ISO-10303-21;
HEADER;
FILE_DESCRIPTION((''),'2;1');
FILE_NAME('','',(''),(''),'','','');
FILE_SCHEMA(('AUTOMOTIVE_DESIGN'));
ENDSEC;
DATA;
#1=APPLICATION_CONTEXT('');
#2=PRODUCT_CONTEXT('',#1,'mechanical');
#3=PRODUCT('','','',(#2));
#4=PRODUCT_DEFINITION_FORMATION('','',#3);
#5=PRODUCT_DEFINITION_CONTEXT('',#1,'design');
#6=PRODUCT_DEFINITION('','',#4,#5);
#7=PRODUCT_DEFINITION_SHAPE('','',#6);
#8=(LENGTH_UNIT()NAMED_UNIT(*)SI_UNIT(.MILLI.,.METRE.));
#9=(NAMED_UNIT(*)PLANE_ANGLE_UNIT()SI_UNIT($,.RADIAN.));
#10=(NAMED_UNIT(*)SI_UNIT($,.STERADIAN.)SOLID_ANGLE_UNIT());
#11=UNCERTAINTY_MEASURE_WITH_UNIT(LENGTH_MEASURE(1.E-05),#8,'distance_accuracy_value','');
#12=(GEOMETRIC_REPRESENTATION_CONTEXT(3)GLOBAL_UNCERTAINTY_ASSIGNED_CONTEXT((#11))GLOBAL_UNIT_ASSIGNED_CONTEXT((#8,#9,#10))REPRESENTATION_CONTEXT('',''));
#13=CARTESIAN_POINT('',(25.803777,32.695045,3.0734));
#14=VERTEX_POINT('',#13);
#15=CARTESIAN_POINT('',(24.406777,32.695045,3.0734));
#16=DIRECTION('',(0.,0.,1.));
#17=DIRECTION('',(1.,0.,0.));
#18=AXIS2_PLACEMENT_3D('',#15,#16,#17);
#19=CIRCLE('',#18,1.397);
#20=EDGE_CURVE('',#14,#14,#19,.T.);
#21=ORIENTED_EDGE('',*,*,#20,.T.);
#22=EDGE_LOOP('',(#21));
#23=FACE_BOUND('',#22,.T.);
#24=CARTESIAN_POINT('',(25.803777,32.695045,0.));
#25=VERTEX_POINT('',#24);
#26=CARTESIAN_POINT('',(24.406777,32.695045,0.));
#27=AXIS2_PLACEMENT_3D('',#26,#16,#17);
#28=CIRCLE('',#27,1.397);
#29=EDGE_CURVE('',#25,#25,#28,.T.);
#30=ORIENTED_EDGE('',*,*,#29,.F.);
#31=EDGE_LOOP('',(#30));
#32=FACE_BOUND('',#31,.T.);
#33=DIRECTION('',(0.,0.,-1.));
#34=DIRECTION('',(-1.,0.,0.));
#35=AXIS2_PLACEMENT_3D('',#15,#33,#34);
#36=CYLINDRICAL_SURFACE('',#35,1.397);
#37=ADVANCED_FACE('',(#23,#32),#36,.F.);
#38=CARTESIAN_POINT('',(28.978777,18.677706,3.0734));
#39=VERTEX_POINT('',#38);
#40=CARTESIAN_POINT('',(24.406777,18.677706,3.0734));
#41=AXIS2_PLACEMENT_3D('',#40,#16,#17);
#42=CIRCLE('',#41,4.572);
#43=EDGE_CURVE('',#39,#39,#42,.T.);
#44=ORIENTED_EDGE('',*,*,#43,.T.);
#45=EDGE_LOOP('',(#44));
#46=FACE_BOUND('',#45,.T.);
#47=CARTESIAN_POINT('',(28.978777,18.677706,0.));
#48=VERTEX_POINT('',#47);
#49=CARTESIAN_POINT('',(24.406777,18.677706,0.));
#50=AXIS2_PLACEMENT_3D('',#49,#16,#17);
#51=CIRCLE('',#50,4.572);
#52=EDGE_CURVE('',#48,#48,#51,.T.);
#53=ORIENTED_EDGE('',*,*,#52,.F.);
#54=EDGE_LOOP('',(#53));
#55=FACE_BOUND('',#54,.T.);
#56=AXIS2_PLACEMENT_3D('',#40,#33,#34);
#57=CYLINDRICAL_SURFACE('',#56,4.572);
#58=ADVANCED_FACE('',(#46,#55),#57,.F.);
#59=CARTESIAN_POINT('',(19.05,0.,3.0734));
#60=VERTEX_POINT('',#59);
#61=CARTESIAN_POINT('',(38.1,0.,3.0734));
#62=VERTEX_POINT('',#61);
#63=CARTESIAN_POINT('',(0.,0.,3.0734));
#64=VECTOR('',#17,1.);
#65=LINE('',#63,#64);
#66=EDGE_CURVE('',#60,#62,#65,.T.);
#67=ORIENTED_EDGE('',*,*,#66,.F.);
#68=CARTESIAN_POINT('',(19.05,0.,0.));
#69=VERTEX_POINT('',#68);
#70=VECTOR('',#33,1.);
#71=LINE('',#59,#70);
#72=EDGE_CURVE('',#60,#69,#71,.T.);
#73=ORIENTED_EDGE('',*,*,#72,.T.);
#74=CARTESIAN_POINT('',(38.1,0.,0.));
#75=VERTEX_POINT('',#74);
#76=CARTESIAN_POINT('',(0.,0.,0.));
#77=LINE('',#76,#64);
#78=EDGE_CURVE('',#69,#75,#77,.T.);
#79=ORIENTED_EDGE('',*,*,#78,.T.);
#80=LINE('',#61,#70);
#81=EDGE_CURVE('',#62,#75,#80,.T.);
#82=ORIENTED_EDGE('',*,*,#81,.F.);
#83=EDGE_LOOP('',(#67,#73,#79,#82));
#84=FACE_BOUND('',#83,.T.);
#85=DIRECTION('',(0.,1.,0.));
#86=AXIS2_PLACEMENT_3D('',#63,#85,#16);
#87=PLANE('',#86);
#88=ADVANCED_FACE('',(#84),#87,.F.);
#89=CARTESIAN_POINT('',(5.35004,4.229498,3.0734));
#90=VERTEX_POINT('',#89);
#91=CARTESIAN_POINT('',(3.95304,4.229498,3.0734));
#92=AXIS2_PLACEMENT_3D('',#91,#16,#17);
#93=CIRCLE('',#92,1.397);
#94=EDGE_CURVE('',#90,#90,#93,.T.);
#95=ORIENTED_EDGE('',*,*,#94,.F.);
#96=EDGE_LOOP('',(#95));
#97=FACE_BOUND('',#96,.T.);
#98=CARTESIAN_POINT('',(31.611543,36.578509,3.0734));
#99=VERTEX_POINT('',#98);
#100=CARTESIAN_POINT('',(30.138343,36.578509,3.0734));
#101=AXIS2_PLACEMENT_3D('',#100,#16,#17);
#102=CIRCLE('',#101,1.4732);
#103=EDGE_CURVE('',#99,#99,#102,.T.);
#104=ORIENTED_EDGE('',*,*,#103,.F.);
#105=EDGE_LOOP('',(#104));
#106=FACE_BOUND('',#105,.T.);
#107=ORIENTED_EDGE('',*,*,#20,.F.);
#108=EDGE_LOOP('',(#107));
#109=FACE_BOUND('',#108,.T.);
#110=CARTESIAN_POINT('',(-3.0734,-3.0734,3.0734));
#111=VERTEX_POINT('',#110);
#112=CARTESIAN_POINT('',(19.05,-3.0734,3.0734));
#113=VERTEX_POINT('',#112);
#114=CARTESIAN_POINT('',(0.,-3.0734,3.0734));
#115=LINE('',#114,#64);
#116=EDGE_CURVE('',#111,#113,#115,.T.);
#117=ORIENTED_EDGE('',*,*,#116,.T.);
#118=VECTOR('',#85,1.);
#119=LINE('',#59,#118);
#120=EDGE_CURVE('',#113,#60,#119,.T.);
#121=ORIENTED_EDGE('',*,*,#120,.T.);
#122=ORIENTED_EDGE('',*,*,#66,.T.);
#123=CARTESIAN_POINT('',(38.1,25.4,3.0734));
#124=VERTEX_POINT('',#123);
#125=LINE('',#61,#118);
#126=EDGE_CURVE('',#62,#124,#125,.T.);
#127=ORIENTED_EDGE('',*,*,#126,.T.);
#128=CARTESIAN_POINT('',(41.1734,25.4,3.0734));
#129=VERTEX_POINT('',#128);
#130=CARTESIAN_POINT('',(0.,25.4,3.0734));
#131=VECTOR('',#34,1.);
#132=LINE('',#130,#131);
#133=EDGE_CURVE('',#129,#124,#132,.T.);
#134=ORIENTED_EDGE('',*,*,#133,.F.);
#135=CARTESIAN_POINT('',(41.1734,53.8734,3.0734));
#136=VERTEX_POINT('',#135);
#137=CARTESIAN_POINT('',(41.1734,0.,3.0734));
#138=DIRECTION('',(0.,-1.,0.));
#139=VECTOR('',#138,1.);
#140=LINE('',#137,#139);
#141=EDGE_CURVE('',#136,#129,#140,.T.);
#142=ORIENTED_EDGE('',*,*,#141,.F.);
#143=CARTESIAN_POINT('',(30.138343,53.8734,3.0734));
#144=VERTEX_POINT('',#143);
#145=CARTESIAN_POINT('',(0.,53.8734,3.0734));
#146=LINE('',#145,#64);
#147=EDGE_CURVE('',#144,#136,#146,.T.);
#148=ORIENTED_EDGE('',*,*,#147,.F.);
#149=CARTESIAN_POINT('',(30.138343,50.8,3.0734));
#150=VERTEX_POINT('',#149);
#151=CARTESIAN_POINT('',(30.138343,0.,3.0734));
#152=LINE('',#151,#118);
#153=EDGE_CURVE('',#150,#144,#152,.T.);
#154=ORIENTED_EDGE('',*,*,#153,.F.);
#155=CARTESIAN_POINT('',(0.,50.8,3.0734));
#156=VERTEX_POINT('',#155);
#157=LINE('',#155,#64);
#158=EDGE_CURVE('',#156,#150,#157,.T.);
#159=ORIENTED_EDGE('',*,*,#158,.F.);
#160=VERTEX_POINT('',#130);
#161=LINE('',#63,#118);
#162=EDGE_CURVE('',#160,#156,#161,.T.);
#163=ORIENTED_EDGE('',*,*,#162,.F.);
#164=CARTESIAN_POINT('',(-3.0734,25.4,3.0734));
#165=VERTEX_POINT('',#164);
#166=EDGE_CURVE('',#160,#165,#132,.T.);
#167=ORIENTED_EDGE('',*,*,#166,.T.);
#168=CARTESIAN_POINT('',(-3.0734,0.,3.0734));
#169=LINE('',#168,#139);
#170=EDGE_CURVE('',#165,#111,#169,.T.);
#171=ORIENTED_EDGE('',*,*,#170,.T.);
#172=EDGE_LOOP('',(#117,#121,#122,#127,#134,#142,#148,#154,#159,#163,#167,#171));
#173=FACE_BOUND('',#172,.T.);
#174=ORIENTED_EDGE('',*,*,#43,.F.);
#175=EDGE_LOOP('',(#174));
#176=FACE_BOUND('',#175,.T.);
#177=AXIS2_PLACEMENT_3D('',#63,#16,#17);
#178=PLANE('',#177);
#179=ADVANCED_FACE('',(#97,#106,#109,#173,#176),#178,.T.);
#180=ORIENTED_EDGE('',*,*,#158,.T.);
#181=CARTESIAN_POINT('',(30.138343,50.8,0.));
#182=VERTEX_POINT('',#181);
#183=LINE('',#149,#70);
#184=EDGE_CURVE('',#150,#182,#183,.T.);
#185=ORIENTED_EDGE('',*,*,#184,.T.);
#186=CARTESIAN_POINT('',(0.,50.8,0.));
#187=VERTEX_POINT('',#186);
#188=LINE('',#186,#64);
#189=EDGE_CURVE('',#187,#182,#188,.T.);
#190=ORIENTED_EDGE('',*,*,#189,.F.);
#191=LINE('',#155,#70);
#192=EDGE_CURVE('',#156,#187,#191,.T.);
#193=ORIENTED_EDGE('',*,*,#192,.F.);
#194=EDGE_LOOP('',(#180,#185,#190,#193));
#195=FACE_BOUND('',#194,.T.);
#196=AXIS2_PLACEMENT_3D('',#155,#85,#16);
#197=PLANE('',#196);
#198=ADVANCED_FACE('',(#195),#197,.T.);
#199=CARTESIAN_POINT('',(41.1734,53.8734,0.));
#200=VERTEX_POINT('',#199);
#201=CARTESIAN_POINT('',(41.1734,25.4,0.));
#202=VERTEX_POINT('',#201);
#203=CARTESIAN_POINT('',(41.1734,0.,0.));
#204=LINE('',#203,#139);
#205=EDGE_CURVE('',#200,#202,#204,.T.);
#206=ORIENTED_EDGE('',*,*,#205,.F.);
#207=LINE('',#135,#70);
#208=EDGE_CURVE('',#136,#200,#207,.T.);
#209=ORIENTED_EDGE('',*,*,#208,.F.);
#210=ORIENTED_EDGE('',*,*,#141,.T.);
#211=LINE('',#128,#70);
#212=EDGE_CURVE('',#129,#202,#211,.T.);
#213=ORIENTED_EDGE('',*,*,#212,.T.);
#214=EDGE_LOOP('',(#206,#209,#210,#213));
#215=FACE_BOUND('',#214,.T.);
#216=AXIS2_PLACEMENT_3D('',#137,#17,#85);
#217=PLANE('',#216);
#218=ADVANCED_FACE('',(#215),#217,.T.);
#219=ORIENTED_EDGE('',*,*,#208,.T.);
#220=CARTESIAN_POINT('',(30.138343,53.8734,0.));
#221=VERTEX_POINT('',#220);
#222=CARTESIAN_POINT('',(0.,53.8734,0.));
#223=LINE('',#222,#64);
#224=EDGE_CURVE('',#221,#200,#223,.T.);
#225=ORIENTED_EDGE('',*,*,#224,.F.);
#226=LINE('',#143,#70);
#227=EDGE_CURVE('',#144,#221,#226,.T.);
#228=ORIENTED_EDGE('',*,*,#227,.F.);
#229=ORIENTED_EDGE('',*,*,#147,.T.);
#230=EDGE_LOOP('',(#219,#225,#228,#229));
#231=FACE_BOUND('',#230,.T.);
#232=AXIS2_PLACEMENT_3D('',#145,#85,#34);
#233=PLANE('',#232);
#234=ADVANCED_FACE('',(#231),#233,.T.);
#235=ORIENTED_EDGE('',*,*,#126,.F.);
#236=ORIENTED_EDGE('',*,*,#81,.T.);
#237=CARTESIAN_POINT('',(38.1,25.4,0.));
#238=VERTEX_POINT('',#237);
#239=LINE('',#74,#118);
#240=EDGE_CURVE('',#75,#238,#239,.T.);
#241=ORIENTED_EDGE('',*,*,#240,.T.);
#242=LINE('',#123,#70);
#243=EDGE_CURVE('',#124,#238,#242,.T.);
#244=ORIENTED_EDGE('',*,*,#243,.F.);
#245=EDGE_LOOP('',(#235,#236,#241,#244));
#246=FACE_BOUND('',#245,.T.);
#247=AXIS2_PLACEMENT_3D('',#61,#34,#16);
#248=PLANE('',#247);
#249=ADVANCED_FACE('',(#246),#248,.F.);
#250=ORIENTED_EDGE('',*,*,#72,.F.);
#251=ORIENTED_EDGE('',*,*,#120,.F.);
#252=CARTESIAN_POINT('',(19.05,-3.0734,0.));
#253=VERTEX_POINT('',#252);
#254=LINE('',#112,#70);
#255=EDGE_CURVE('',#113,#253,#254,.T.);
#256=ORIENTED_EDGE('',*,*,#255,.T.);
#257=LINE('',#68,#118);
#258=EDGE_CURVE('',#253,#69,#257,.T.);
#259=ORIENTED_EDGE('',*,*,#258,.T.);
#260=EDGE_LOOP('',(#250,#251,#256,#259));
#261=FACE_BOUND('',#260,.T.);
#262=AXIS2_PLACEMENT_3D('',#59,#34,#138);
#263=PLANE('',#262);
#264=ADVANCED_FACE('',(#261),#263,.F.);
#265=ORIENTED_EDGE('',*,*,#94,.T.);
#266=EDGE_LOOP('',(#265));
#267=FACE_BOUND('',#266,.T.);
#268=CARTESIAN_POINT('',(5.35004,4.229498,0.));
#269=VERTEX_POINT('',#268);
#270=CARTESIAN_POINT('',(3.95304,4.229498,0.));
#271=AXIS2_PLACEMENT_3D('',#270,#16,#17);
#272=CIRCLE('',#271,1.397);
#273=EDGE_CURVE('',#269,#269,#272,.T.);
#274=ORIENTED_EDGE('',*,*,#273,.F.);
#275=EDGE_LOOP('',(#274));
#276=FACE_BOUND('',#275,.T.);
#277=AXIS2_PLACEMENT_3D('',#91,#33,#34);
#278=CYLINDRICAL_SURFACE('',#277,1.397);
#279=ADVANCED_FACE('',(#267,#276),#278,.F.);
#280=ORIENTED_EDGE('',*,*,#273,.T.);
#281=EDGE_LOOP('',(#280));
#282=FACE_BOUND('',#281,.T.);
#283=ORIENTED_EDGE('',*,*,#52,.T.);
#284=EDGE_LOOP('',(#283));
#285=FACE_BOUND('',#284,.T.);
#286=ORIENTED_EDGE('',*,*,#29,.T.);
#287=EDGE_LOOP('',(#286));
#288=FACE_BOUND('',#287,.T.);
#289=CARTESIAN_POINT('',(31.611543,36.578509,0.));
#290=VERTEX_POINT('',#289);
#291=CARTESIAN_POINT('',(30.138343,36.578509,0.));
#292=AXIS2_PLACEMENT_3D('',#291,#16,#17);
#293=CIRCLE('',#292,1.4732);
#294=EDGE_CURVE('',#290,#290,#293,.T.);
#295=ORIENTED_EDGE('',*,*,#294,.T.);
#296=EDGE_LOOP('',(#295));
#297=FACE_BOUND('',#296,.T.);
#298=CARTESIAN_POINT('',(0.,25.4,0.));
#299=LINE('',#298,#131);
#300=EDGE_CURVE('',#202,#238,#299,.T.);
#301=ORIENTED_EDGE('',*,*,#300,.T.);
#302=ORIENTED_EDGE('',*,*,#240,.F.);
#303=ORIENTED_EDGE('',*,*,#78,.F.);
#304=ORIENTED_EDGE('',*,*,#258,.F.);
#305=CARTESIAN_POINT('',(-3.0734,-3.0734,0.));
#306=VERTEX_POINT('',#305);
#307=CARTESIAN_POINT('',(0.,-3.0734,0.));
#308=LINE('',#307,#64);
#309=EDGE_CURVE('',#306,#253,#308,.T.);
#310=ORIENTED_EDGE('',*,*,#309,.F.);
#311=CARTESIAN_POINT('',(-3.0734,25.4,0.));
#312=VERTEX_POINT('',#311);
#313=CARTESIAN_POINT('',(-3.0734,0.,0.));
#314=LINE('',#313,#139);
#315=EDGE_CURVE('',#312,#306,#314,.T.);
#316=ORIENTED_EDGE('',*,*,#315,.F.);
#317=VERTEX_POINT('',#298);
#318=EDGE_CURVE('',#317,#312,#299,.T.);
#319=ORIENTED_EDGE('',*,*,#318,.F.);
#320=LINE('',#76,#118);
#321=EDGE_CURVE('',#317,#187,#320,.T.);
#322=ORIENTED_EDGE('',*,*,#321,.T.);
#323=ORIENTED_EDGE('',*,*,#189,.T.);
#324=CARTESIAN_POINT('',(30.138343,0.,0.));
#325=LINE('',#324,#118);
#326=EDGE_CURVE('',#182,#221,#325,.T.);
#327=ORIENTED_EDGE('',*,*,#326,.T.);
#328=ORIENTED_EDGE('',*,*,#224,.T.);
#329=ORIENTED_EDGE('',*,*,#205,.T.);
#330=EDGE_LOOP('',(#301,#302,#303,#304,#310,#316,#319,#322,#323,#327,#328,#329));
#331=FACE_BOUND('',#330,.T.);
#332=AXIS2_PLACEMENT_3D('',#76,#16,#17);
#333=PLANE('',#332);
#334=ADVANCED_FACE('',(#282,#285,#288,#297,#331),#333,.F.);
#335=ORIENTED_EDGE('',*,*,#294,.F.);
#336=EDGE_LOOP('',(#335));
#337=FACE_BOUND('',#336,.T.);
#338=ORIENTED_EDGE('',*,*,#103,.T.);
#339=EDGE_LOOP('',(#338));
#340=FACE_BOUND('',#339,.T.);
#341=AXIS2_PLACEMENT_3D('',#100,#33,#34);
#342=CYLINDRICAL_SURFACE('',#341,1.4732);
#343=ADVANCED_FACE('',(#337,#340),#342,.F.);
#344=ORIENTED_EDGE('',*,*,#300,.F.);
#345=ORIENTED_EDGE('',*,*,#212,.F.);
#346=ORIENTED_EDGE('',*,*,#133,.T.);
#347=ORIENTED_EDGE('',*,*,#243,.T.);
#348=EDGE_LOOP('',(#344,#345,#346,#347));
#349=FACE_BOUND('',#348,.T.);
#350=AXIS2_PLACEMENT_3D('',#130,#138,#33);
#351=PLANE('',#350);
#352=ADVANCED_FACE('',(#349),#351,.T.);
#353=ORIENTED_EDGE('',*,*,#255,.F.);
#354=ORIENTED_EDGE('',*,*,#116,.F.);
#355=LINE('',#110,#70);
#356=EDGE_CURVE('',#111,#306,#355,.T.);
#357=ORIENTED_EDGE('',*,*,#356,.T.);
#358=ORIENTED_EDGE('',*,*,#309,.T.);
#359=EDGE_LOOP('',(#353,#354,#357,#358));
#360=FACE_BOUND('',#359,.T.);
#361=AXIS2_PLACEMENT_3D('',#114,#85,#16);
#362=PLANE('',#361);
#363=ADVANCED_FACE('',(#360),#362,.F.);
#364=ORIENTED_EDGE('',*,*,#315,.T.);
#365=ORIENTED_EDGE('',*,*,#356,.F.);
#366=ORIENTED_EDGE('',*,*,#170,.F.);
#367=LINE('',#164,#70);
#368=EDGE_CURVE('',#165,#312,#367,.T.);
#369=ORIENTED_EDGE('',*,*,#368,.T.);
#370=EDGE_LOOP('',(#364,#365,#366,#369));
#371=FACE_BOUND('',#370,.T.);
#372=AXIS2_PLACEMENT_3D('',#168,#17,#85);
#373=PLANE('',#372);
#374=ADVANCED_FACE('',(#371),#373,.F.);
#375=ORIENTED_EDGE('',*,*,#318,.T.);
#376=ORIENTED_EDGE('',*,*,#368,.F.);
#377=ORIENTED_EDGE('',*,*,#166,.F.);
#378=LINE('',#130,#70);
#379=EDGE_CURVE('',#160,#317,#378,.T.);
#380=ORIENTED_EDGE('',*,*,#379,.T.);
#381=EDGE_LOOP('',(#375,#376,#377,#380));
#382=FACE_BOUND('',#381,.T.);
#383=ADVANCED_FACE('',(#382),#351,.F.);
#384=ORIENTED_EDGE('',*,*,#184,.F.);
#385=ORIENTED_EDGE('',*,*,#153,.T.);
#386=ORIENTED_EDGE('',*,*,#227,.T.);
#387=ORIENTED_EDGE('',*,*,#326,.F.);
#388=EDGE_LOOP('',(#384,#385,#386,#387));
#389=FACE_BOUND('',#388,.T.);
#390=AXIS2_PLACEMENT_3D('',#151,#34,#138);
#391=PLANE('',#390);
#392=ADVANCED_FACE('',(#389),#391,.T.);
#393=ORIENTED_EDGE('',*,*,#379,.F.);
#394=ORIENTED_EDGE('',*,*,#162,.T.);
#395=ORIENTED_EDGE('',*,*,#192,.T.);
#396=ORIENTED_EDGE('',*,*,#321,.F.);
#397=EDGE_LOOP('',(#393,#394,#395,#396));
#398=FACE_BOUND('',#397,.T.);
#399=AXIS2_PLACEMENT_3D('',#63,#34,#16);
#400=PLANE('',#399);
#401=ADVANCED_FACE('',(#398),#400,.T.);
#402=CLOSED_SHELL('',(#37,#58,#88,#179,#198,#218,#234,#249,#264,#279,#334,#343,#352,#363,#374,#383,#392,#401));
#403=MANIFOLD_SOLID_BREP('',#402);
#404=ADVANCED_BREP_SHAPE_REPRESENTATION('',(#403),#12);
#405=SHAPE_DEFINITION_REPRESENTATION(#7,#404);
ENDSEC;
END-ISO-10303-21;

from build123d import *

# Parameters (mm, degrees)
BACKSKETCH_W        = 38.1
BACKSKETCH_H        = 50.8
BACKSKETCH_R        = 1.4732
BACKSKETCH_R_2      = 4.572
BACKSKETCH_R_3      = 1.397
BOSS_EXTRUDE1_DEPTH = 3.0734


with BuildPart() as part:
    # backSketch → Boss-Extrude1 (new body)
    # profile 1 of 3: a face of its own
    with BuildSketch(Plane.XY):
        Polygon((38.1, 50.8), (38.1, 25.4), (41.1734, 25.4), (41.1734, 53.8734), (30.138343409, 53.8734), (30.138343409, 50.8), align=None)
    # profile 2 of 3: a face of its own
    with BuildSketch(Plane.XY):
        Polygon((19.05, 0), (0, 0), (0, 25.4), (-3.0734, 25.4), (-3.0734, -3.0734), (19.05, -3.0734), align=None)
    # profile 3 of 3: a face of its own
    with BuildSketch(Plane.XY):
        with Locations((19.05, 25.4)):
            Rectangle(BACKSKETCH_W, BACKSKETCH_H)
        with Locations((30.138343409, 36.578509469)):
            Circle(BACKSKETCH_R, mode=Mode.SUBTRACT)
        with Locations((24.406777228, 18.677705992)):
            Circle(BACKSKETCH_R_2, mode=Mode.SUBTRACT)
        with Locations((24.406777228, 32.695044925)):
            Circle(BACKSKETCH_R_3, mode=Mode.SUBTRACT)
        with Locations((3.953040425, 4.229498122)):
            Circle(BACKSKETCH_R_3, mode=Mode.SUBTRACT)
    extrude(amount=BOSS_EXTRUDE1_DEPTH)


solid = part.part
